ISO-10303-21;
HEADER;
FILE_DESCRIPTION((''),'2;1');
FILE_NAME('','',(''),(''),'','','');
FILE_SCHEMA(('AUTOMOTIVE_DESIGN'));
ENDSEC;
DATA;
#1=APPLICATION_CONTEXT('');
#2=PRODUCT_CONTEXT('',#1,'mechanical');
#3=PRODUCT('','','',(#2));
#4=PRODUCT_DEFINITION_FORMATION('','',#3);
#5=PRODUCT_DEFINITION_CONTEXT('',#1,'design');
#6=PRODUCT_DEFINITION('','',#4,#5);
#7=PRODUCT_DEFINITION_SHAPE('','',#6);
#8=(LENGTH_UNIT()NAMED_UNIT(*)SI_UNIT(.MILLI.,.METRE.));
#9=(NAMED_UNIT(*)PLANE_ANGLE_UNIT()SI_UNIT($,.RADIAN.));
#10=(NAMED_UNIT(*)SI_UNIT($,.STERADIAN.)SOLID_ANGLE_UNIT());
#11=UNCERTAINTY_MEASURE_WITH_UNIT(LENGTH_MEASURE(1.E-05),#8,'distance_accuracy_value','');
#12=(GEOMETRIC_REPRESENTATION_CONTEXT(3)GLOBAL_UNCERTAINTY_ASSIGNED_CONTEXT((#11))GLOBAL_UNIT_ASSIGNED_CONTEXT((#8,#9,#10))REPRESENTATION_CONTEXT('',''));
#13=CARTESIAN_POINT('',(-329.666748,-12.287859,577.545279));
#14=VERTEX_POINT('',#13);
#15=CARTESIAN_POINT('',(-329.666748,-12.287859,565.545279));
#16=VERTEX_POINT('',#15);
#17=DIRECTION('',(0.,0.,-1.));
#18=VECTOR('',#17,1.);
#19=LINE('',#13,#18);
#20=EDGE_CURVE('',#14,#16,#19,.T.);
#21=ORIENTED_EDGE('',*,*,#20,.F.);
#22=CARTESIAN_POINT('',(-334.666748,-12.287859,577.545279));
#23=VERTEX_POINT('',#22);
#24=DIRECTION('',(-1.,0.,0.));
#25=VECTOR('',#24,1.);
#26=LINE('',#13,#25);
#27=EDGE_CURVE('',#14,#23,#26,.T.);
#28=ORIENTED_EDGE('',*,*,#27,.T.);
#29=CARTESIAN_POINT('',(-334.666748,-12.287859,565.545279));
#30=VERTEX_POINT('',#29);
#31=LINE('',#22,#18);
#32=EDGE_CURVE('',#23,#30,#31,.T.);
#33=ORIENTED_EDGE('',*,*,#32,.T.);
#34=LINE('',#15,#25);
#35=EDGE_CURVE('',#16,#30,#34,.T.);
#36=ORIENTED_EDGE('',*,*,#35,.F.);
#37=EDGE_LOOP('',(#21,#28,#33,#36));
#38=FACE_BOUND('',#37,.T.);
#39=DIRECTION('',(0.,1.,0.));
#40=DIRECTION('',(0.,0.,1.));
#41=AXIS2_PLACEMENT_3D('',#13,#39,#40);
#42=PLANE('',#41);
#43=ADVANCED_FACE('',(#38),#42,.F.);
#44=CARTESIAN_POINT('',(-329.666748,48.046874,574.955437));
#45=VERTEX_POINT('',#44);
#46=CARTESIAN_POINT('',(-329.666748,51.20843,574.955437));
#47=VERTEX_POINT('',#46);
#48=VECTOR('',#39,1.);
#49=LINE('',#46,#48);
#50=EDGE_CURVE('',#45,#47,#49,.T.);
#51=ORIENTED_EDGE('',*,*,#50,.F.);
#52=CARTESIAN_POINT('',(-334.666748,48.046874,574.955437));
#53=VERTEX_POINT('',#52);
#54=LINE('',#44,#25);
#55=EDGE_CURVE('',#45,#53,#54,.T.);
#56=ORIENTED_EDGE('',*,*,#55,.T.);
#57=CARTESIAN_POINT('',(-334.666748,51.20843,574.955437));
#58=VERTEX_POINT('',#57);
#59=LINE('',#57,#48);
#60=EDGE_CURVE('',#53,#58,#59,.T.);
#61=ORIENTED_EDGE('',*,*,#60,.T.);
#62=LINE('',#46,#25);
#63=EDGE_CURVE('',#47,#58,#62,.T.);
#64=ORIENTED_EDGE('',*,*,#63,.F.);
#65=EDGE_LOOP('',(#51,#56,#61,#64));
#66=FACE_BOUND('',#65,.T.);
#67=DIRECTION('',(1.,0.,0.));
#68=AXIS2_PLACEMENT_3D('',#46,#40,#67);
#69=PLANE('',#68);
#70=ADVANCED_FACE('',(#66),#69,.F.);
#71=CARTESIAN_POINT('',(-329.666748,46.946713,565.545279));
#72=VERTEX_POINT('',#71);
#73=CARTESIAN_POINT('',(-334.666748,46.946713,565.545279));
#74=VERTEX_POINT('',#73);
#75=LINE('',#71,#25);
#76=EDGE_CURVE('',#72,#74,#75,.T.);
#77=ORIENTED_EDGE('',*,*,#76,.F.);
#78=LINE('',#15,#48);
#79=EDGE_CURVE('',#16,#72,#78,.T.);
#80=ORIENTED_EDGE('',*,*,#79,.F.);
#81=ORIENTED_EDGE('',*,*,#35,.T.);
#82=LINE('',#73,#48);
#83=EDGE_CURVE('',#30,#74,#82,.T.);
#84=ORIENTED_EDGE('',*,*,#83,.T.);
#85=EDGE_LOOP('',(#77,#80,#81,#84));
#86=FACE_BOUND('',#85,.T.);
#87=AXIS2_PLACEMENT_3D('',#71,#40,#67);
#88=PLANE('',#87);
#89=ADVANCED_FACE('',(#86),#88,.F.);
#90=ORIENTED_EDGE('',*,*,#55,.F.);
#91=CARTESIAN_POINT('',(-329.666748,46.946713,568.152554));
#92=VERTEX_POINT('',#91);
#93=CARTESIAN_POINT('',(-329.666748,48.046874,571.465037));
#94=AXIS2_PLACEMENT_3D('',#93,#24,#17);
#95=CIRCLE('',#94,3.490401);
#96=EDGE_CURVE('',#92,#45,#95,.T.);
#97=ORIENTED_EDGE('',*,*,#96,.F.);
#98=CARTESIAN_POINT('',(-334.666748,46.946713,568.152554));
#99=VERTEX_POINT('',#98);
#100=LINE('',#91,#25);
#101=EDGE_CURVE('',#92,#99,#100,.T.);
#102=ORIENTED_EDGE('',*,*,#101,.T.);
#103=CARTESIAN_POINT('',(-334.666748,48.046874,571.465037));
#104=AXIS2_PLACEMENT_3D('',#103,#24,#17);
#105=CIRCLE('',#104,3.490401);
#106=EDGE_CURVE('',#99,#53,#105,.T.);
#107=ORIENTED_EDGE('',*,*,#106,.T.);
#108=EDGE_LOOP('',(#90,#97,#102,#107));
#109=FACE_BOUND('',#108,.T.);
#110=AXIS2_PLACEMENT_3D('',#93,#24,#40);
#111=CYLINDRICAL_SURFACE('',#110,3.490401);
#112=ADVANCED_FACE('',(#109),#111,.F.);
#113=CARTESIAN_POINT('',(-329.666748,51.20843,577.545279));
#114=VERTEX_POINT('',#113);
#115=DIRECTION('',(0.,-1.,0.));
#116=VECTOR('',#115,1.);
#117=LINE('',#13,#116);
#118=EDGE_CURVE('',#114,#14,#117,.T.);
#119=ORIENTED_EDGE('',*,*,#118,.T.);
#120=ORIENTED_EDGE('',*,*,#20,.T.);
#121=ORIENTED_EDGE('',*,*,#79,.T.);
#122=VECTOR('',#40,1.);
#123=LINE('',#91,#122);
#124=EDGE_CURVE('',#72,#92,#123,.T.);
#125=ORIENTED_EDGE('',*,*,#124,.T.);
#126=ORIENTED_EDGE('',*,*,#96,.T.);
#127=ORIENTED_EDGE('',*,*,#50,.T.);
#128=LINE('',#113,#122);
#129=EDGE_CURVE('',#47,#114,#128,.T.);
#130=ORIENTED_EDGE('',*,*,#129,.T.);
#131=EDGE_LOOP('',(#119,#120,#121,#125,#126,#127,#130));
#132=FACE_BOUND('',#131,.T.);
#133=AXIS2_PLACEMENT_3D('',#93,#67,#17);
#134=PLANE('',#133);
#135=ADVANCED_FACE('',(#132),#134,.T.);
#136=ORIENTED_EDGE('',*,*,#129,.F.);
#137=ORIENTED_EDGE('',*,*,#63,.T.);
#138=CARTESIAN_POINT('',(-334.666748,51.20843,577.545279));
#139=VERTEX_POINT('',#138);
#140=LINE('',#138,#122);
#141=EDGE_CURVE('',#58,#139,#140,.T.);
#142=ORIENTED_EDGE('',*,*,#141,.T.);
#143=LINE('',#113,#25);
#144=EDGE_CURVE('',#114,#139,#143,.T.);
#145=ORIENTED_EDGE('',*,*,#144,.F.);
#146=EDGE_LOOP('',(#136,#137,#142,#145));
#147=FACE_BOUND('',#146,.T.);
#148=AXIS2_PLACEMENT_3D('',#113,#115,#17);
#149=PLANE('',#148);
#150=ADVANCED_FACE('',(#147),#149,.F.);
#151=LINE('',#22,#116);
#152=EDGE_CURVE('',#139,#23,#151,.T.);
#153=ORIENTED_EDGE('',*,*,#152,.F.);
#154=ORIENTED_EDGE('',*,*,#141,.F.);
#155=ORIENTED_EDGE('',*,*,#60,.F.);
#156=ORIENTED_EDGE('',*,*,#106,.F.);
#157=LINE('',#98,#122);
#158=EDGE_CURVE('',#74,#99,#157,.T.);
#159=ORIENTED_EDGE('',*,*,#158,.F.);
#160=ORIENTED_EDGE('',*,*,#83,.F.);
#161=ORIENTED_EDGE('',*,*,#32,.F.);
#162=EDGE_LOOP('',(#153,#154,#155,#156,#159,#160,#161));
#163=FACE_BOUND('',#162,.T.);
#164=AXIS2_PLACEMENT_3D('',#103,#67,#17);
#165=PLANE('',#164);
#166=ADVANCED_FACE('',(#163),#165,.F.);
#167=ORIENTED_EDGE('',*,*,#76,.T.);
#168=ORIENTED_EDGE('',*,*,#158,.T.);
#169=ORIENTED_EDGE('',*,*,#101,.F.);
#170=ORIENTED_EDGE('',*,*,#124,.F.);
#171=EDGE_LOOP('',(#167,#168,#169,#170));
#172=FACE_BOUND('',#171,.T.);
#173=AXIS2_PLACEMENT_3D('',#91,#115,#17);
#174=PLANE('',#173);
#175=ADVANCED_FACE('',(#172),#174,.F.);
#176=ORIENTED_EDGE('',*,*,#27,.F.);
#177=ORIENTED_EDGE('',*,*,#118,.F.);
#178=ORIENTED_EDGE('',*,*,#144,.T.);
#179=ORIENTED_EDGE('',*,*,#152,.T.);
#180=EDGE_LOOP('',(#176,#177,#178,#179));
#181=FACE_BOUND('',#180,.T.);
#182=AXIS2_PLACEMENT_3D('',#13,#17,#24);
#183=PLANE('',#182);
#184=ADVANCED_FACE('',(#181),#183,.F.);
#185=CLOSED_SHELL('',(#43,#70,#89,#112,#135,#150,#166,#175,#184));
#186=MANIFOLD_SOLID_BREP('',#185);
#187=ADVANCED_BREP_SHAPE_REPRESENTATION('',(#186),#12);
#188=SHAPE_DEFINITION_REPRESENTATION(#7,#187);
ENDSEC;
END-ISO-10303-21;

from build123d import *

# Parameters (mm, degrees)
BOSS_EXTRUDE1_DEPTH = 5


with BuildPart() as part:
    # Sketch1 → Boss-Extrude1 (new body)
    with BuildSketch(Plane(origin=(-334.6667478, 0, 0), x_dir=(0, 0, -1), z_dir=(1, 0, 0))):
        with BuildLine():
            Line((-577.545278836, -12.287859349), (-565.545278836, -12.287859349))
            Line((-565.545278836, -12.287859349), (-565.545278836, 35.712140651))
            Line((-565.545278836, 35.712140651), (-565.545278836, 46.94671314))
            Line((-565.545278836, 46.94671314), (-568.152554161, 46.94671314))
            ThreePointArc((-568.152554161, 46.94671314), (-572.022264181, 44.601240466), (-574.955437267, 48.046874421))
            Line((-574.955437267, 48.046874421), (-574.955437267, 51.208429545))
            Line((-574.955437267, 51.208429545), (-577.545278836, 51.208429545))
            Line((-577.545278836, 51.208429545), (-577.545278836, -12.287859349))
        make_face()
    extrude(amount=BOSS_EXTRUDE1_DEPTH)


solid = part.part
